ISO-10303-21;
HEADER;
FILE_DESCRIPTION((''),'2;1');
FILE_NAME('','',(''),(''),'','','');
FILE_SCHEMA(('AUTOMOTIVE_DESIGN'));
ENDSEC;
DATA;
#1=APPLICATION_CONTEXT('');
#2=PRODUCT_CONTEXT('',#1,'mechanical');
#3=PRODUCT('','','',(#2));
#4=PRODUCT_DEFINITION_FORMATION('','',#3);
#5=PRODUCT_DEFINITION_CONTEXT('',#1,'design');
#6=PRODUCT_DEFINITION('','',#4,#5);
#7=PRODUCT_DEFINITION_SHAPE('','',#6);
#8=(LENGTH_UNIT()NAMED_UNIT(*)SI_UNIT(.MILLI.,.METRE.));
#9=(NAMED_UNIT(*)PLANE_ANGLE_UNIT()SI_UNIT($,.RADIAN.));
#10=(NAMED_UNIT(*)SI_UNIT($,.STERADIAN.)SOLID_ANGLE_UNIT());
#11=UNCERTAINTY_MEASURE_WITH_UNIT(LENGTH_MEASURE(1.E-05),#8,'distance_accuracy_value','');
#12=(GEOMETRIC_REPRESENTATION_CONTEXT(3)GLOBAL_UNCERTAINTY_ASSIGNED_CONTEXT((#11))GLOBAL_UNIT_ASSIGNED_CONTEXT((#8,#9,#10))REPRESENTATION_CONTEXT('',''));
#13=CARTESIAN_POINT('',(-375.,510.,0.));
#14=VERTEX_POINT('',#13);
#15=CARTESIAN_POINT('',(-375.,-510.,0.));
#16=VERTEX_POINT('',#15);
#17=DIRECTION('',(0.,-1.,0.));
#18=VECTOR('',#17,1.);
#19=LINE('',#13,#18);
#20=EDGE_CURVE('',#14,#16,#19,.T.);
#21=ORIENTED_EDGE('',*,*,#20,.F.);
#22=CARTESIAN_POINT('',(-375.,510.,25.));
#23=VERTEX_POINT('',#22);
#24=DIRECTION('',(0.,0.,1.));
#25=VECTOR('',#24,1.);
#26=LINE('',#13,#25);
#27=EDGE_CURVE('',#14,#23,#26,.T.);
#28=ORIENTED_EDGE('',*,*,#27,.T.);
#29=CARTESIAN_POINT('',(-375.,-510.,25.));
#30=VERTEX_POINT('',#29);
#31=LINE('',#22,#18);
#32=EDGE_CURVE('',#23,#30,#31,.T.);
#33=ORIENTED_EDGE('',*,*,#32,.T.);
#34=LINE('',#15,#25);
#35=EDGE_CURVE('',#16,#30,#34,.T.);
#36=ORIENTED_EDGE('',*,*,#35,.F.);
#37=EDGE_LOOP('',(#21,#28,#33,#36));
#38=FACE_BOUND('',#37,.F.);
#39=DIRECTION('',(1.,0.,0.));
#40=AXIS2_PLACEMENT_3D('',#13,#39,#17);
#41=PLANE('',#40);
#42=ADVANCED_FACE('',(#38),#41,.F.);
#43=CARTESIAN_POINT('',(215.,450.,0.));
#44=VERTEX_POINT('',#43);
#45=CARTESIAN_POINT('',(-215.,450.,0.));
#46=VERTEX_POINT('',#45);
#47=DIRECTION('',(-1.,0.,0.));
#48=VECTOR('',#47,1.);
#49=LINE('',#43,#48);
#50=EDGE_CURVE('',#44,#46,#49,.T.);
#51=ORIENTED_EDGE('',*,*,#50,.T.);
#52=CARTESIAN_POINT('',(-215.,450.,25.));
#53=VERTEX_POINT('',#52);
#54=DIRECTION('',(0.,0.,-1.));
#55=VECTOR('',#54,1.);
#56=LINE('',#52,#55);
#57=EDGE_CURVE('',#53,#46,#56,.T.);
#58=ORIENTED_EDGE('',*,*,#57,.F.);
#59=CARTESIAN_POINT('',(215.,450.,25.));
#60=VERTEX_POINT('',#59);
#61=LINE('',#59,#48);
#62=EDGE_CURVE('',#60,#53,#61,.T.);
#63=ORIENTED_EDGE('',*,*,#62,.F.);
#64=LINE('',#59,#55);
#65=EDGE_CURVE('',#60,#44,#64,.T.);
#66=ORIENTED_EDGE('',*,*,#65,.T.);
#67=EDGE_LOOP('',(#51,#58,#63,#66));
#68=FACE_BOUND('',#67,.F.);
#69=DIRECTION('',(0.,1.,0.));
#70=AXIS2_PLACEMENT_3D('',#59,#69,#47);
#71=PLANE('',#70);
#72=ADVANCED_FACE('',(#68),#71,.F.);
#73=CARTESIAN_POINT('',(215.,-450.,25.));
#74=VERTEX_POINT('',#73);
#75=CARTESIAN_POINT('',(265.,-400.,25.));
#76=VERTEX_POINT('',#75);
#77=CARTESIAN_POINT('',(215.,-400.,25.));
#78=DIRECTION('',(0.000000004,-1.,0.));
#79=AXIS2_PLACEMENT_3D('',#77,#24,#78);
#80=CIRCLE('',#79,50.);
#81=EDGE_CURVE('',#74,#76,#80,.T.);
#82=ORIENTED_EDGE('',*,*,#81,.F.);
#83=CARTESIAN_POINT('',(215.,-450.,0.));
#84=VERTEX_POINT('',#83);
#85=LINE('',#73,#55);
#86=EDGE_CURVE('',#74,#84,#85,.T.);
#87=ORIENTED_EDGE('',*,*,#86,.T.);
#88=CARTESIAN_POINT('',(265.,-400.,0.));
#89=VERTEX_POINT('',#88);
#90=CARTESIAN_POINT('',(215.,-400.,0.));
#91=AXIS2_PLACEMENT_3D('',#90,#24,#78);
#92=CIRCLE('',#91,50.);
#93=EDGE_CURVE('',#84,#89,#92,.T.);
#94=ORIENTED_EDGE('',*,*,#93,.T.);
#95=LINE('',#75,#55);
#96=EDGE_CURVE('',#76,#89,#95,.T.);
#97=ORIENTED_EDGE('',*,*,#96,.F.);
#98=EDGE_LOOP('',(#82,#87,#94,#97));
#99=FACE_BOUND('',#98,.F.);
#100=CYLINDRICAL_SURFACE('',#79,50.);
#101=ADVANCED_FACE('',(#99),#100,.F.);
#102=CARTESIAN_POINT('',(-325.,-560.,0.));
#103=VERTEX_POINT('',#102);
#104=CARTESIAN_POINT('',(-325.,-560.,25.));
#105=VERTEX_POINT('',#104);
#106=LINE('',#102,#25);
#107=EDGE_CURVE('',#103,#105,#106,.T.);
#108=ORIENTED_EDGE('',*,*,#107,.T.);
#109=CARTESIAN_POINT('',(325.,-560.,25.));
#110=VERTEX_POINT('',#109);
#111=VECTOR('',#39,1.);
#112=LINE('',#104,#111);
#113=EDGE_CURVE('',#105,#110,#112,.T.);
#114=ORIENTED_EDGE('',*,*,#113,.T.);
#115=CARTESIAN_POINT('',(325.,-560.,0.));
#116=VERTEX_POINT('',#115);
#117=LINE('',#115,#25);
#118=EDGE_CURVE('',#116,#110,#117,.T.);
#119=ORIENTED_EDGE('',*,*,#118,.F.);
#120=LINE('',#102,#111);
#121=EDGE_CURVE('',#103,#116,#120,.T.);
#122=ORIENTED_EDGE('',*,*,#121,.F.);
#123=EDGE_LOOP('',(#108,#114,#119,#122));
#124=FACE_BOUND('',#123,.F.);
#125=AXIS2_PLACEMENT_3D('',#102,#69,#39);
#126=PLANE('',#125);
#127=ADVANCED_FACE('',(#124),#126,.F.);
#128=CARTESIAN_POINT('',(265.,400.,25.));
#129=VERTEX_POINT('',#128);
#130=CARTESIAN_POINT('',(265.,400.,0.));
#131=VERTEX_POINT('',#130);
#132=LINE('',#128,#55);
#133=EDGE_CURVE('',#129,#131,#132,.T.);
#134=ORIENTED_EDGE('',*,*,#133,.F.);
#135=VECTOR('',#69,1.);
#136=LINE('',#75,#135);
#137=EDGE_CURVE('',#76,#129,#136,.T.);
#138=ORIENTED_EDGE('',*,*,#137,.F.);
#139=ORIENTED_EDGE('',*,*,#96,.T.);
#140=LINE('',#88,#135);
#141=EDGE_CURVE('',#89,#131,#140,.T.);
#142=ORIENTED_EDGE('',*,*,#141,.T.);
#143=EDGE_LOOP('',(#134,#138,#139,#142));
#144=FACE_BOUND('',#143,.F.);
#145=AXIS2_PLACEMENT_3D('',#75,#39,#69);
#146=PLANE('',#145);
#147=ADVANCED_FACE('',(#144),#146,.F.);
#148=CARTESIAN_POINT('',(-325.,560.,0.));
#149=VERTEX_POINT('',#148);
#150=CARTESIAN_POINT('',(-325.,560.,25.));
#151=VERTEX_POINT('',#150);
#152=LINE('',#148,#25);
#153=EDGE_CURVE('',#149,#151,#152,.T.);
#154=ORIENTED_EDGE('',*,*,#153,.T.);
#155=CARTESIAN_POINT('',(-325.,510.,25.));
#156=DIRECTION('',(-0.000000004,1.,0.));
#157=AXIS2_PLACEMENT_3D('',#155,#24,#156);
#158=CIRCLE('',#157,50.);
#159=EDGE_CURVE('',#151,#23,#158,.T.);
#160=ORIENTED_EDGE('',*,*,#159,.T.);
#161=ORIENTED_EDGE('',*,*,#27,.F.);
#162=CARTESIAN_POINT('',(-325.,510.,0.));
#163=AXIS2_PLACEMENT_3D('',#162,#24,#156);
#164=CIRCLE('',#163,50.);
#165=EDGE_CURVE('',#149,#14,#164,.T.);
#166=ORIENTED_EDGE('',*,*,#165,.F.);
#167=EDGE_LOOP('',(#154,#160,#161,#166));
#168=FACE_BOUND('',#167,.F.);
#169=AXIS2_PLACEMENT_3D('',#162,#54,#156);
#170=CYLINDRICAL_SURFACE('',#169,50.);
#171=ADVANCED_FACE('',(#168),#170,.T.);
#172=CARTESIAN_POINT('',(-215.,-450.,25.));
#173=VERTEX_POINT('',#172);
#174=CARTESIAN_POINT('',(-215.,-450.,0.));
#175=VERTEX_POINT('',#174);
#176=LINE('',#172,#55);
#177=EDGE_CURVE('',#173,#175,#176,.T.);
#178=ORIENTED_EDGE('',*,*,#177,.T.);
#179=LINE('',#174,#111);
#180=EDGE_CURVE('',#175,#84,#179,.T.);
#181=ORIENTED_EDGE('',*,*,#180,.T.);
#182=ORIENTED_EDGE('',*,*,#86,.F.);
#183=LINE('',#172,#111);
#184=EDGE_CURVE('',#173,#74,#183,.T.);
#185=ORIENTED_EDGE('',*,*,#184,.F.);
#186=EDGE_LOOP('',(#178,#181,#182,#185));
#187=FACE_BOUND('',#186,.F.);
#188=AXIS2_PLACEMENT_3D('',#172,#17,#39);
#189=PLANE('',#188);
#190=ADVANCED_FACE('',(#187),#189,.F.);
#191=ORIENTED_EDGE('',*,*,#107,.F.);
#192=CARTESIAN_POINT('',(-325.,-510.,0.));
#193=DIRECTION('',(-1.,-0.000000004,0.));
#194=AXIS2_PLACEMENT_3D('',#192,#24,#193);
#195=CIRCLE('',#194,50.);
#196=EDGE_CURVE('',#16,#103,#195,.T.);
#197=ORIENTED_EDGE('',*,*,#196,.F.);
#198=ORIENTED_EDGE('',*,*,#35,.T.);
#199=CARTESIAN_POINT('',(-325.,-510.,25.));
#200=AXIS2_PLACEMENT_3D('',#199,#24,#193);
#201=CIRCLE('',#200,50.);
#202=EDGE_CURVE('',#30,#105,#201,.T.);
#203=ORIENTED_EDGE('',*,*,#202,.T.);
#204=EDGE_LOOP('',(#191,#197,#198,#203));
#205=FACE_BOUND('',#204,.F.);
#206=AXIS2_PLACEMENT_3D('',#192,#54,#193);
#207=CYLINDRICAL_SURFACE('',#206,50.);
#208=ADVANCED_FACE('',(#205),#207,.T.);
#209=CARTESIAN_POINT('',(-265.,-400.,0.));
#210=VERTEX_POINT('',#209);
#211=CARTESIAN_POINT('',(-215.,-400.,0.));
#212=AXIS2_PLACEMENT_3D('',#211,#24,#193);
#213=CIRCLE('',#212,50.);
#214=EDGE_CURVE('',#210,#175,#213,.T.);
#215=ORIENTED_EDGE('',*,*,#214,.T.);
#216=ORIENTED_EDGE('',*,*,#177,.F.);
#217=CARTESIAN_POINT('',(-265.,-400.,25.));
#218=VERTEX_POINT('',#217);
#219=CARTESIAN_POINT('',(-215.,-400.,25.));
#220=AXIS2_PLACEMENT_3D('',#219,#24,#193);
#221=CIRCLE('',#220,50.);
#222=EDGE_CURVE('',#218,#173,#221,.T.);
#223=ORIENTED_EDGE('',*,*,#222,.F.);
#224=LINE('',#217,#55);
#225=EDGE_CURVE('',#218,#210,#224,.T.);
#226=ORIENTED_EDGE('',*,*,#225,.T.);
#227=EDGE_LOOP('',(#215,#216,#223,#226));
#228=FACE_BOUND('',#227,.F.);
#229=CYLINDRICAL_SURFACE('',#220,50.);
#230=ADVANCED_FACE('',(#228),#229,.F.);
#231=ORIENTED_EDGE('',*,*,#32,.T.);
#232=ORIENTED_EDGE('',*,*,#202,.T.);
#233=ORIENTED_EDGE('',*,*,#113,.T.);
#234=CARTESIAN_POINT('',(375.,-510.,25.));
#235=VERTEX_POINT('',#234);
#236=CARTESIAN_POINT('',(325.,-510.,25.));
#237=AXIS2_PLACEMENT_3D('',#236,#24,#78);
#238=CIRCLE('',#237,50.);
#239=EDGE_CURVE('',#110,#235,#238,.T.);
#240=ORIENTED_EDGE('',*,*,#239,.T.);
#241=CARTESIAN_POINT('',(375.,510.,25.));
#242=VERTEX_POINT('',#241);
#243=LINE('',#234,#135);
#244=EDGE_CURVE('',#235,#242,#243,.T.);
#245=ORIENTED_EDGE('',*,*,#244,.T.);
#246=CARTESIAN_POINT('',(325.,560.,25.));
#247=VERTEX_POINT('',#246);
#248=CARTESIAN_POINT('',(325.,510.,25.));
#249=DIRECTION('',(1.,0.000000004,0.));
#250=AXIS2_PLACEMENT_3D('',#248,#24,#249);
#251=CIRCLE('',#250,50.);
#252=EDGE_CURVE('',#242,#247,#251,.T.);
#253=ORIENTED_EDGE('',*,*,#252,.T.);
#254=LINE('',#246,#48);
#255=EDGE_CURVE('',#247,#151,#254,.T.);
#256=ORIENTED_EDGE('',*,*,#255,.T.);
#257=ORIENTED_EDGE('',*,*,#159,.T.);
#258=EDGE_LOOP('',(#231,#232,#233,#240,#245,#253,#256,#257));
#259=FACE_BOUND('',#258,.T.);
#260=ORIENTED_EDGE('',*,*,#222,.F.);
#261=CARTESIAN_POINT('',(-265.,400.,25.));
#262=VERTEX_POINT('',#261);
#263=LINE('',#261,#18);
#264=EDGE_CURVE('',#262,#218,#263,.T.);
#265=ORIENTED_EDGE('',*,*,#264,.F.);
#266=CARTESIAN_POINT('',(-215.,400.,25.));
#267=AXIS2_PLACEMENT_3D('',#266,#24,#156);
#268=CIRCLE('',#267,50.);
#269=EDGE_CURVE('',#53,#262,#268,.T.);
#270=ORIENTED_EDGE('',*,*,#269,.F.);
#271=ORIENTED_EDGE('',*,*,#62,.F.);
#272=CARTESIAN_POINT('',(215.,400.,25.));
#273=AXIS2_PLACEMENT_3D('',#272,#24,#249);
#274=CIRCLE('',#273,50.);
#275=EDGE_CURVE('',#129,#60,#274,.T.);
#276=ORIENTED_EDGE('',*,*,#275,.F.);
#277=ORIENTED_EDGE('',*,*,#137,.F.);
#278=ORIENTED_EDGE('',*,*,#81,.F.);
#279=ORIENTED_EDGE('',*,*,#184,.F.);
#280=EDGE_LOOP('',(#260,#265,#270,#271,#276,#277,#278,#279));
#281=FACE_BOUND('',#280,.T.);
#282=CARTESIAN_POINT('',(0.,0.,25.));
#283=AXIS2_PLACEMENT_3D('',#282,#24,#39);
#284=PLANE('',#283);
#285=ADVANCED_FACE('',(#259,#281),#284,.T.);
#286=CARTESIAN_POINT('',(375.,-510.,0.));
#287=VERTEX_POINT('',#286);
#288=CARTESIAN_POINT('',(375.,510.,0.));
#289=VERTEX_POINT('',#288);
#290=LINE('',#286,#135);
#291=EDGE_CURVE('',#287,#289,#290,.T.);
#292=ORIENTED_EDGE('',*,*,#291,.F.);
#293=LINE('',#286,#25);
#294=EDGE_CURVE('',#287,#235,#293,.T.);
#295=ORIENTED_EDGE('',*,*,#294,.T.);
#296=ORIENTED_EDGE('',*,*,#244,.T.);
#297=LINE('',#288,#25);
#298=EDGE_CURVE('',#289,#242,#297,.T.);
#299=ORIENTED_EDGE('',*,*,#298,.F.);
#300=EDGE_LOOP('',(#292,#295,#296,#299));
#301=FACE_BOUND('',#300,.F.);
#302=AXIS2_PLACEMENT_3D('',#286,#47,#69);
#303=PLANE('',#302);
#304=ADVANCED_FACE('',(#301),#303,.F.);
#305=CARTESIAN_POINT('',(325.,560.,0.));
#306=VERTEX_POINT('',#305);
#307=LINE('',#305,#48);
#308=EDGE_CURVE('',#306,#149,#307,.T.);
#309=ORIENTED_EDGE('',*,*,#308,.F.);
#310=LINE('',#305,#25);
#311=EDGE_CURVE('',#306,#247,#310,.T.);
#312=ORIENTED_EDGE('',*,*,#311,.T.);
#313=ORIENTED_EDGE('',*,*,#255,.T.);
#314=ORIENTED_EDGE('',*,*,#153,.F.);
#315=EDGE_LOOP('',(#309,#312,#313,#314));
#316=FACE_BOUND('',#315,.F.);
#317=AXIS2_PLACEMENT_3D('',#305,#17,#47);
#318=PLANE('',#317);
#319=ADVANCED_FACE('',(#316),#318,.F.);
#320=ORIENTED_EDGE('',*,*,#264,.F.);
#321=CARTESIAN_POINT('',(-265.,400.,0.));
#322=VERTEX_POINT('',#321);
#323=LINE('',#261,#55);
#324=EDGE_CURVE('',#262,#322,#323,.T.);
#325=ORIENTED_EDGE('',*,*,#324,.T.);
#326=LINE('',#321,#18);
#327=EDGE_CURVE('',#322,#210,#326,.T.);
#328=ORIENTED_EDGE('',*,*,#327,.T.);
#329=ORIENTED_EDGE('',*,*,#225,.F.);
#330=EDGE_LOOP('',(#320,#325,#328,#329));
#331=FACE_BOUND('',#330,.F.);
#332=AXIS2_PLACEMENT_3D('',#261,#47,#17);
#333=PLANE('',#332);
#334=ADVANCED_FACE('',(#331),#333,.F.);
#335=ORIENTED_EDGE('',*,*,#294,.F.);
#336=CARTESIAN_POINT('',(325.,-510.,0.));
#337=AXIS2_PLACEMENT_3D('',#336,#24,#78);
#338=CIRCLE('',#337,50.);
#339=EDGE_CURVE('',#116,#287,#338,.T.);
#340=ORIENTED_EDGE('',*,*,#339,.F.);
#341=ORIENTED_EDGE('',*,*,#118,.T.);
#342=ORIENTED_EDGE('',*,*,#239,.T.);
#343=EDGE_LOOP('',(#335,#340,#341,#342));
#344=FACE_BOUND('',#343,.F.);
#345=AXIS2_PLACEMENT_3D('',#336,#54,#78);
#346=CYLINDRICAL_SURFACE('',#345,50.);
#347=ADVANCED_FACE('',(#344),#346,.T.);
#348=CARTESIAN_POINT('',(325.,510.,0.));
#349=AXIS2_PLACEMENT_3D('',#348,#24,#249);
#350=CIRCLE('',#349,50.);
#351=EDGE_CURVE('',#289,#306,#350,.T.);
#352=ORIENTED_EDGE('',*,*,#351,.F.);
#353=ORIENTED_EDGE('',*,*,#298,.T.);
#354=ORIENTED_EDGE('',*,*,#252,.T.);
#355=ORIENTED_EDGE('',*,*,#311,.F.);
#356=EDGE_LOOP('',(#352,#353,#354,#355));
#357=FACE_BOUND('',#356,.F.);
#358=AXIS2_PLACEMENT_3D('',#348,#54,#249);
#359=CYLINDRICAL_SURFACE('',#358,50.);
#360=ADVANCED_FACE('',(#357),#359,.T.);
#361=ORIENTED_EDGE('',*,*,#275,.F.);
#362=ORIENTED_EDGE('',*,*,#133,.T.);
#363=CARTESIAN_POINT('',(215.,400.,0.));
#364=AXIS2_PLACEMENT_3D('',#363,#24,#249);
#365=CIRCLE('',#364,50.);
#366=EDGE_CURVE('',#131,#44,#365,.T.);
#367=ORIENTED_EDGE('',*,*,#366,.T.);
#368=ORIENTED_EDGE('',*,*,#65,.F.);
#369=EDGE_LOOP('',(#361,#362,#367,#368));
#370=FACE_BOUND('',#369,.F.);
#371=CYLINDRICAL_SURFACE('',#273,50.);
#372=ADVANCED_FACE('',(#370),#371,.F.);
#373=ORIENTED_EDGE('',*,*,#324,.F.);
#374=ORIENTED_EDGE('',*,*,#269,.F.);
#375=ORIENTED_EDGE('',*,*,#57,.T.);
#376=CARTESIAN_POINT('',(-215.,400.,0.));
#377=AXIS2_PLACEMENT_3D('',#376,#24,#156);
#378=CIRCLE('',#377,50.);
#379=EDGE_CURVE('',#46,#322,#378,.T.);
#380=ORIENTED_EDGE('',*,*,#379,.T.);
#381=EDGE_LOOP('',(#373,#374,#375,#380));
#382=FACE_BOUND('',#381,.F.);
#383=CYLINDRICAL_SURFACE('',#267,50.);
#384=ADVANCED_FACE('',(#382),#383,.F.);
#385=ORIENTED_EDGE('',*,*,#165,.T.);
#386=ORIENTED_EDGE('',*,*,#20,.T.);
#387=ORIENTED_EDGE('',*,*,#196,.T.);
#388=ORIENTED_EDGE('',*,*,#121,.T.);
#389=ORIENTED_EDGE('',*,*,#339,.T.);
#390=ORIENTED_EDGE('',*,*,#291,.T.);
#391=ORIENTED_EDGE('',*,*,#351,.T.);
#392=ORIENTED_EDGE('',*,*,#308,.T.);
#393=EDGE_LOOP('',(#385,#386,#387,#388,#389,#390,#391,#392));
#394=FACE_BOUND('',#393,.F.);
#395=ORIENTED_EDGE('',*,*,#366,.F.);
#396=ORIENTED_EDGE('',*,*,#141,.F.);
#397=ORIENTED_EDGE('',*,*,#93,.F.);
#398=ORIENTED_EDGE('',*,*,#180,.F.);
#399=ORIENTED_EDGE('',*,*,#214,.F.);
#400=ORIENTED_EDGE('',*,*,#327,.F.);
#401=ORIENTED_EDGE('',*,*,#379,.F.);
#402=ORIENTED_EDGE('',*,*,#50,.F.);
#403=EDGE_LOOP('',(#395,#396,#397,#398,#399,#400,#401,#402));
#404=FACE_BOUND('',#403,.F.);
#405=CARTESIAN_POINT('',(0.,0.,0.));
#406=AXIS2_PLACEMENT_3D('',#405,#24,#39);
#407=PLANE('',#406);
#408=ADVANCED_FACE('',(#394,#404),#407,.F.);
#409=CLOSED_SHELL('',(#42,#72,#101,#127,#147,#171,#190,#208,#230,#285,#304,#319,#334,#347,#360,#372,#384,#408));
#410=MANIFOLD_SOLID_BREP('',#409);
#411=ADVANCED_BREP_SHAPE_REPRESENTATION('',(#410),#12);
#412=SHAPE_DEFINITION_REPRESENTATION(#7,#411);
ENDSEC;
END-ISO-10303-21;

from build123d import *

# Parameters (mm, degrees)
F1_DEPTH = 25
F3_DEPTH = 25


with BuildPart() as f1:
    # F0 (on Top) → F1 (new body)
    with BuildSketch(Plane.XY):
        with BuildLine():
            Line((325, 560), (-325, 560))
            ThreePointArc((-325, 560), (-360.355339, 545.355339), (-375, 510))
            Line((-375, 510), (-375, -510))
            ThreePointArc((-375, -510), (-360.355339, -545.355339), (-325, -560))
            Line((-325, -560), (325, -560))
            ThreePointArc((325, -560), (360.355339, -545.355339), (375, -510))
            Line((375, -510), (375, 510))
            ThreePointArc((375, 510), (360.355339, 545.355339), (325, 560))
        make_face()
    extrude(amount=F1_DEPTH)

    # F2 (on face) → F3 (cut)
    with BuildSketch(Plane.XY.offset(25)):
        with BuildLine():
            Line((215, 450), (-215, 450))
            ThreePointArc((-215, 450), (-250.355339, 435.355339), (-265, 400))
            Line((-265, 400), (-265, -400))
            ThreePointArc((-265, -400), (-250.355339, -435.355339), (-215, -450))
            Line((-215, -450), (215, -450))
            ThreePointArc((215, -450), (250.355339, -435.355339), (265, -400))
            Line((265, -400), (265, 400))
            ThreePointArc((265, 400), (250.355339, 435.355339), (215, 450))
        make_face()
    extrude(amount=-F3_DEPTH, mode=Mode.SUBTRACT)


solid = f1.part
